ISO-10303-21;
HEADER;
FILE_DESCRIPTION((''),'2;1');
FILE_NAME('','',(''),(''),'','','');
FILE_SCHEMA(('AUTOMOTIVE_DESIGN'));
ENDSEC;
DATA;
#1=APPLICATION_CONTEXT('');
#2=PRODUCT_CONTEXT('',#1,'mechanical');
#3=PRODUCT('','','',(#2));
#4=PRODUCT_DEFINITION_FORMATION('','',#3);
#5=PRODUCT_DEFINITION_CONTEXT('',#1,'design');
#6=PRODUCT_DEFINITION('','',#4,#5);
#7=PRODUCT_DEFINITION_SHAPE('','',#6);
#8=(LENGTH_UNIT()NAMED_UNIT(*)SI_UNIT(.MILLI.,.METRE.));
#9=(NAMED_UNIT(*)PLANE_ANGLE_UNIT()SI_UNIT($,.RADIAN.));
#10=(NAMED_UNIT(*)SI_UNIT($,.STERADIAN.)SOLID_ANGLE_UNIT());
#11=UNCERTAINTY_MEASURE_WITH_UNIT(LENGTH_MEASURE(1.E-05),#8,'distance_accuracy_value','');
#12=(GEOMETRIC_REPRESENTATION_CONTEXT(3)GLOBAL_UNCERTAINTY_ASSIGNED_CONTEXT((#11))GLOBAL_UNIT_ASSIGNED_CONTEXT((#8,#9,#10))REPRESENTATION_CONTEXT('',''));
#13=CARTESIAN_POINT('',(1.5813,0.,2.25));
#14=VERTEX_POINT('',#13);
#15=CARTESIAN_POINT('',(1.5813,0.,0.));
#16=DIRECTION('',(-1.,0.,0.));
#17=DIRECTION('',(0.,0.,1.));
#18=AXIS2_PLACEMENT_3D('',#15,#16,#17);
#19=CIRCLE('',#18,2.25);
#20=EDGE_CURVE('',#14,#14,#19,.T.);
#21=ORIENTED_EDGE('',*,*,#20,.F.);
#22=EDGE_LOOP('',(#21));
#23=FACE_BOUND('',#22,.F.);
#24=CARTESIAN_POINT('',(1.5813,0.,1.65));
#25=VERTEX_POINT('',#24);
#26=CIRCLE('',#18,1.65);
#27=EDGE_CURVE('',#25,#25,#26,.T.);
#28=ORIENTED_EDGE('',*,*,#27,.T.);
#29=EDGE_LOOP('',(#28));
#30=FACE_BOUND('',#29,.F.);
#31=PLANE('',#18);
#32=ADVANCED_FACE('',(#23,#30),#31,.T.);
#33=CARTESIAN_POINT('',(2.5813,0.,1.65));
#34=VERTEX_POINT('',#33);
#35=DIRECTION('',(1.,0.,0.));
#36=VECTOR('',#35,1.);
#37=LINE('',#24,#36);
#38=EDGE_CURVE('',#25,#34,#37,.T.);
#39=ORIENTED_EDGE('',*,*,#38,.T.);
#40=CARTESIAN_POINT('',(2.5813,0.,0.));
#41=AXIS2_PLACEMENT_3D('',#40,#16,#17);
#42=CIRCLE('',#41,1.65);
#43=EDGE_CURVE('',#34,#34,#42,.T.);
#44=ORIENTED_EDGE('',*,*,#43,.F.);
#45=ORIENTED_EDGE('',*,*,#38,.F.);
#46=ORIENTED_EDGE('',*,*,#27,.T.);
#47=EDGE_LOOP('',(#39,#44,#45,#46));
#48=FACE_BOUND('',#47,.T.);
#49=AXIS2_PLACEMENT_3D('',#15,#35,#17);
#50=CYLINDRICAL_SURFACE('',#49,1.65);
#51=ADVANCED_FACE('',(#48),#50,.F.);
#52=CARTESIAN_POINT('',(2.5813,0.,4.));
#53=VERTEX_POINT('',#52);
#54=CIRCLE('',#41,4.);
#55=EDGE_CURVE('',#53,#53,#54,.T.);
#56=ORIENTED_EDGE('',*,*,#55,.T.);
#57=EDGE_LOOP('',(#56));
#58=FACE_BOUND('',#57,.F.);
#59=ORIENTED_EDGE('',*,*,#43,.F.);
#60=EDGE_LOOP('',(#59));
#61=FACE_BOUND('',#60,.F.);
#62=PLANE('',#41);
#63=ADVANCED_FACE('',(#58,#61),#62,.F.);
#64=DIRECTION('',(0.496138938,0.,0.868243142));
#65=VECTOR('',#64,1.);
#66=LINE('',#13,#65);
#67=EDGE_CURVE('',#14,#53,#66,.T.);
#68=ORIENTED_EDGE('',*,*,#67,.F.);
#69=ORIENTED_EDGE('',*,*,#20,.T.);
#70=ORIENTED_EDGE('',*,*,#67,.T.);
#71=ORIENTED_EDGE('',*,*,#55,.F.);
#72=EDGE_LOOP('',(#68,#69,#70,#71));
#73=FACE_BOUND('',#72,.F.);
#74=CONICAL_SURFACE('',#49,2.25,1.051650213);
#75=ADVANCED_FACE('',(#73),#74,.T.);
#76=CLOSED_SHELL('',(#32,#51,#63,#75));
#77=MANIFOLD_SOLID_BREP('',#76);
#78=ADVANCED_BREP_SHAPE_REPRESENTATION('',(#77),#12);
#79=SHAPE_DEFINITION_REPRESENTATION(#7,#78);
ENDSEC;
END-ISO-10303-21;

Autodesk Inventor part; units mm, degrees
ref_plane "YZ Plane" through (0, 0, 0) normal (1, 0, 0) x (0, 1, 0)
ref_plane "XZ Plane" through (0, 0, 0) normal (0, 1, 0) x (-1, 0, 0)
ref_plane "XY Plane" through (0, 0, 0) normal (0, 0, 1) x (1, 0, 0)
sketch "Boceto2" plane through (0, 0, 0) normal (0, 1, 0) x (-1, 0, 0)
  line L0 (-1.5813, 0) -> (-1.5813, 2.25)
  line L1 (-1.5813, 2.25) -> (-2.5813, 4)
  line L2 (-2.5813, 4) -> (-2.5813, 0)
  line L3 (-2.5813, 0) -> (-1.5813, 0)
  line L4 (-1.5813, 1.65) -> (-2.5813, 1.65)
  point P0 (0, 0)
  dimension "d4" = 1.65
  dimension "d5" = 2.25
  dimension "d6" = 1
  dimension "d7" = 4
revolve "Revolución1" add sketch "Boceto2" angle 360 about axis through (2.5813, 0, 0) along (-1, 0, 0) contours L4 L2 L1 L0
sketch "Boceto1" plane through (0, 0, 0) normal (0, 1, 0) x (-1, 0, 0)
  circle A0 centre (0, 0) radius 1.65
  circle A1 centre (0, 0) radius 2.25
  dimension "d0" = 3.3
  dimension "d1" = 4.5
properties part number "spacer"
